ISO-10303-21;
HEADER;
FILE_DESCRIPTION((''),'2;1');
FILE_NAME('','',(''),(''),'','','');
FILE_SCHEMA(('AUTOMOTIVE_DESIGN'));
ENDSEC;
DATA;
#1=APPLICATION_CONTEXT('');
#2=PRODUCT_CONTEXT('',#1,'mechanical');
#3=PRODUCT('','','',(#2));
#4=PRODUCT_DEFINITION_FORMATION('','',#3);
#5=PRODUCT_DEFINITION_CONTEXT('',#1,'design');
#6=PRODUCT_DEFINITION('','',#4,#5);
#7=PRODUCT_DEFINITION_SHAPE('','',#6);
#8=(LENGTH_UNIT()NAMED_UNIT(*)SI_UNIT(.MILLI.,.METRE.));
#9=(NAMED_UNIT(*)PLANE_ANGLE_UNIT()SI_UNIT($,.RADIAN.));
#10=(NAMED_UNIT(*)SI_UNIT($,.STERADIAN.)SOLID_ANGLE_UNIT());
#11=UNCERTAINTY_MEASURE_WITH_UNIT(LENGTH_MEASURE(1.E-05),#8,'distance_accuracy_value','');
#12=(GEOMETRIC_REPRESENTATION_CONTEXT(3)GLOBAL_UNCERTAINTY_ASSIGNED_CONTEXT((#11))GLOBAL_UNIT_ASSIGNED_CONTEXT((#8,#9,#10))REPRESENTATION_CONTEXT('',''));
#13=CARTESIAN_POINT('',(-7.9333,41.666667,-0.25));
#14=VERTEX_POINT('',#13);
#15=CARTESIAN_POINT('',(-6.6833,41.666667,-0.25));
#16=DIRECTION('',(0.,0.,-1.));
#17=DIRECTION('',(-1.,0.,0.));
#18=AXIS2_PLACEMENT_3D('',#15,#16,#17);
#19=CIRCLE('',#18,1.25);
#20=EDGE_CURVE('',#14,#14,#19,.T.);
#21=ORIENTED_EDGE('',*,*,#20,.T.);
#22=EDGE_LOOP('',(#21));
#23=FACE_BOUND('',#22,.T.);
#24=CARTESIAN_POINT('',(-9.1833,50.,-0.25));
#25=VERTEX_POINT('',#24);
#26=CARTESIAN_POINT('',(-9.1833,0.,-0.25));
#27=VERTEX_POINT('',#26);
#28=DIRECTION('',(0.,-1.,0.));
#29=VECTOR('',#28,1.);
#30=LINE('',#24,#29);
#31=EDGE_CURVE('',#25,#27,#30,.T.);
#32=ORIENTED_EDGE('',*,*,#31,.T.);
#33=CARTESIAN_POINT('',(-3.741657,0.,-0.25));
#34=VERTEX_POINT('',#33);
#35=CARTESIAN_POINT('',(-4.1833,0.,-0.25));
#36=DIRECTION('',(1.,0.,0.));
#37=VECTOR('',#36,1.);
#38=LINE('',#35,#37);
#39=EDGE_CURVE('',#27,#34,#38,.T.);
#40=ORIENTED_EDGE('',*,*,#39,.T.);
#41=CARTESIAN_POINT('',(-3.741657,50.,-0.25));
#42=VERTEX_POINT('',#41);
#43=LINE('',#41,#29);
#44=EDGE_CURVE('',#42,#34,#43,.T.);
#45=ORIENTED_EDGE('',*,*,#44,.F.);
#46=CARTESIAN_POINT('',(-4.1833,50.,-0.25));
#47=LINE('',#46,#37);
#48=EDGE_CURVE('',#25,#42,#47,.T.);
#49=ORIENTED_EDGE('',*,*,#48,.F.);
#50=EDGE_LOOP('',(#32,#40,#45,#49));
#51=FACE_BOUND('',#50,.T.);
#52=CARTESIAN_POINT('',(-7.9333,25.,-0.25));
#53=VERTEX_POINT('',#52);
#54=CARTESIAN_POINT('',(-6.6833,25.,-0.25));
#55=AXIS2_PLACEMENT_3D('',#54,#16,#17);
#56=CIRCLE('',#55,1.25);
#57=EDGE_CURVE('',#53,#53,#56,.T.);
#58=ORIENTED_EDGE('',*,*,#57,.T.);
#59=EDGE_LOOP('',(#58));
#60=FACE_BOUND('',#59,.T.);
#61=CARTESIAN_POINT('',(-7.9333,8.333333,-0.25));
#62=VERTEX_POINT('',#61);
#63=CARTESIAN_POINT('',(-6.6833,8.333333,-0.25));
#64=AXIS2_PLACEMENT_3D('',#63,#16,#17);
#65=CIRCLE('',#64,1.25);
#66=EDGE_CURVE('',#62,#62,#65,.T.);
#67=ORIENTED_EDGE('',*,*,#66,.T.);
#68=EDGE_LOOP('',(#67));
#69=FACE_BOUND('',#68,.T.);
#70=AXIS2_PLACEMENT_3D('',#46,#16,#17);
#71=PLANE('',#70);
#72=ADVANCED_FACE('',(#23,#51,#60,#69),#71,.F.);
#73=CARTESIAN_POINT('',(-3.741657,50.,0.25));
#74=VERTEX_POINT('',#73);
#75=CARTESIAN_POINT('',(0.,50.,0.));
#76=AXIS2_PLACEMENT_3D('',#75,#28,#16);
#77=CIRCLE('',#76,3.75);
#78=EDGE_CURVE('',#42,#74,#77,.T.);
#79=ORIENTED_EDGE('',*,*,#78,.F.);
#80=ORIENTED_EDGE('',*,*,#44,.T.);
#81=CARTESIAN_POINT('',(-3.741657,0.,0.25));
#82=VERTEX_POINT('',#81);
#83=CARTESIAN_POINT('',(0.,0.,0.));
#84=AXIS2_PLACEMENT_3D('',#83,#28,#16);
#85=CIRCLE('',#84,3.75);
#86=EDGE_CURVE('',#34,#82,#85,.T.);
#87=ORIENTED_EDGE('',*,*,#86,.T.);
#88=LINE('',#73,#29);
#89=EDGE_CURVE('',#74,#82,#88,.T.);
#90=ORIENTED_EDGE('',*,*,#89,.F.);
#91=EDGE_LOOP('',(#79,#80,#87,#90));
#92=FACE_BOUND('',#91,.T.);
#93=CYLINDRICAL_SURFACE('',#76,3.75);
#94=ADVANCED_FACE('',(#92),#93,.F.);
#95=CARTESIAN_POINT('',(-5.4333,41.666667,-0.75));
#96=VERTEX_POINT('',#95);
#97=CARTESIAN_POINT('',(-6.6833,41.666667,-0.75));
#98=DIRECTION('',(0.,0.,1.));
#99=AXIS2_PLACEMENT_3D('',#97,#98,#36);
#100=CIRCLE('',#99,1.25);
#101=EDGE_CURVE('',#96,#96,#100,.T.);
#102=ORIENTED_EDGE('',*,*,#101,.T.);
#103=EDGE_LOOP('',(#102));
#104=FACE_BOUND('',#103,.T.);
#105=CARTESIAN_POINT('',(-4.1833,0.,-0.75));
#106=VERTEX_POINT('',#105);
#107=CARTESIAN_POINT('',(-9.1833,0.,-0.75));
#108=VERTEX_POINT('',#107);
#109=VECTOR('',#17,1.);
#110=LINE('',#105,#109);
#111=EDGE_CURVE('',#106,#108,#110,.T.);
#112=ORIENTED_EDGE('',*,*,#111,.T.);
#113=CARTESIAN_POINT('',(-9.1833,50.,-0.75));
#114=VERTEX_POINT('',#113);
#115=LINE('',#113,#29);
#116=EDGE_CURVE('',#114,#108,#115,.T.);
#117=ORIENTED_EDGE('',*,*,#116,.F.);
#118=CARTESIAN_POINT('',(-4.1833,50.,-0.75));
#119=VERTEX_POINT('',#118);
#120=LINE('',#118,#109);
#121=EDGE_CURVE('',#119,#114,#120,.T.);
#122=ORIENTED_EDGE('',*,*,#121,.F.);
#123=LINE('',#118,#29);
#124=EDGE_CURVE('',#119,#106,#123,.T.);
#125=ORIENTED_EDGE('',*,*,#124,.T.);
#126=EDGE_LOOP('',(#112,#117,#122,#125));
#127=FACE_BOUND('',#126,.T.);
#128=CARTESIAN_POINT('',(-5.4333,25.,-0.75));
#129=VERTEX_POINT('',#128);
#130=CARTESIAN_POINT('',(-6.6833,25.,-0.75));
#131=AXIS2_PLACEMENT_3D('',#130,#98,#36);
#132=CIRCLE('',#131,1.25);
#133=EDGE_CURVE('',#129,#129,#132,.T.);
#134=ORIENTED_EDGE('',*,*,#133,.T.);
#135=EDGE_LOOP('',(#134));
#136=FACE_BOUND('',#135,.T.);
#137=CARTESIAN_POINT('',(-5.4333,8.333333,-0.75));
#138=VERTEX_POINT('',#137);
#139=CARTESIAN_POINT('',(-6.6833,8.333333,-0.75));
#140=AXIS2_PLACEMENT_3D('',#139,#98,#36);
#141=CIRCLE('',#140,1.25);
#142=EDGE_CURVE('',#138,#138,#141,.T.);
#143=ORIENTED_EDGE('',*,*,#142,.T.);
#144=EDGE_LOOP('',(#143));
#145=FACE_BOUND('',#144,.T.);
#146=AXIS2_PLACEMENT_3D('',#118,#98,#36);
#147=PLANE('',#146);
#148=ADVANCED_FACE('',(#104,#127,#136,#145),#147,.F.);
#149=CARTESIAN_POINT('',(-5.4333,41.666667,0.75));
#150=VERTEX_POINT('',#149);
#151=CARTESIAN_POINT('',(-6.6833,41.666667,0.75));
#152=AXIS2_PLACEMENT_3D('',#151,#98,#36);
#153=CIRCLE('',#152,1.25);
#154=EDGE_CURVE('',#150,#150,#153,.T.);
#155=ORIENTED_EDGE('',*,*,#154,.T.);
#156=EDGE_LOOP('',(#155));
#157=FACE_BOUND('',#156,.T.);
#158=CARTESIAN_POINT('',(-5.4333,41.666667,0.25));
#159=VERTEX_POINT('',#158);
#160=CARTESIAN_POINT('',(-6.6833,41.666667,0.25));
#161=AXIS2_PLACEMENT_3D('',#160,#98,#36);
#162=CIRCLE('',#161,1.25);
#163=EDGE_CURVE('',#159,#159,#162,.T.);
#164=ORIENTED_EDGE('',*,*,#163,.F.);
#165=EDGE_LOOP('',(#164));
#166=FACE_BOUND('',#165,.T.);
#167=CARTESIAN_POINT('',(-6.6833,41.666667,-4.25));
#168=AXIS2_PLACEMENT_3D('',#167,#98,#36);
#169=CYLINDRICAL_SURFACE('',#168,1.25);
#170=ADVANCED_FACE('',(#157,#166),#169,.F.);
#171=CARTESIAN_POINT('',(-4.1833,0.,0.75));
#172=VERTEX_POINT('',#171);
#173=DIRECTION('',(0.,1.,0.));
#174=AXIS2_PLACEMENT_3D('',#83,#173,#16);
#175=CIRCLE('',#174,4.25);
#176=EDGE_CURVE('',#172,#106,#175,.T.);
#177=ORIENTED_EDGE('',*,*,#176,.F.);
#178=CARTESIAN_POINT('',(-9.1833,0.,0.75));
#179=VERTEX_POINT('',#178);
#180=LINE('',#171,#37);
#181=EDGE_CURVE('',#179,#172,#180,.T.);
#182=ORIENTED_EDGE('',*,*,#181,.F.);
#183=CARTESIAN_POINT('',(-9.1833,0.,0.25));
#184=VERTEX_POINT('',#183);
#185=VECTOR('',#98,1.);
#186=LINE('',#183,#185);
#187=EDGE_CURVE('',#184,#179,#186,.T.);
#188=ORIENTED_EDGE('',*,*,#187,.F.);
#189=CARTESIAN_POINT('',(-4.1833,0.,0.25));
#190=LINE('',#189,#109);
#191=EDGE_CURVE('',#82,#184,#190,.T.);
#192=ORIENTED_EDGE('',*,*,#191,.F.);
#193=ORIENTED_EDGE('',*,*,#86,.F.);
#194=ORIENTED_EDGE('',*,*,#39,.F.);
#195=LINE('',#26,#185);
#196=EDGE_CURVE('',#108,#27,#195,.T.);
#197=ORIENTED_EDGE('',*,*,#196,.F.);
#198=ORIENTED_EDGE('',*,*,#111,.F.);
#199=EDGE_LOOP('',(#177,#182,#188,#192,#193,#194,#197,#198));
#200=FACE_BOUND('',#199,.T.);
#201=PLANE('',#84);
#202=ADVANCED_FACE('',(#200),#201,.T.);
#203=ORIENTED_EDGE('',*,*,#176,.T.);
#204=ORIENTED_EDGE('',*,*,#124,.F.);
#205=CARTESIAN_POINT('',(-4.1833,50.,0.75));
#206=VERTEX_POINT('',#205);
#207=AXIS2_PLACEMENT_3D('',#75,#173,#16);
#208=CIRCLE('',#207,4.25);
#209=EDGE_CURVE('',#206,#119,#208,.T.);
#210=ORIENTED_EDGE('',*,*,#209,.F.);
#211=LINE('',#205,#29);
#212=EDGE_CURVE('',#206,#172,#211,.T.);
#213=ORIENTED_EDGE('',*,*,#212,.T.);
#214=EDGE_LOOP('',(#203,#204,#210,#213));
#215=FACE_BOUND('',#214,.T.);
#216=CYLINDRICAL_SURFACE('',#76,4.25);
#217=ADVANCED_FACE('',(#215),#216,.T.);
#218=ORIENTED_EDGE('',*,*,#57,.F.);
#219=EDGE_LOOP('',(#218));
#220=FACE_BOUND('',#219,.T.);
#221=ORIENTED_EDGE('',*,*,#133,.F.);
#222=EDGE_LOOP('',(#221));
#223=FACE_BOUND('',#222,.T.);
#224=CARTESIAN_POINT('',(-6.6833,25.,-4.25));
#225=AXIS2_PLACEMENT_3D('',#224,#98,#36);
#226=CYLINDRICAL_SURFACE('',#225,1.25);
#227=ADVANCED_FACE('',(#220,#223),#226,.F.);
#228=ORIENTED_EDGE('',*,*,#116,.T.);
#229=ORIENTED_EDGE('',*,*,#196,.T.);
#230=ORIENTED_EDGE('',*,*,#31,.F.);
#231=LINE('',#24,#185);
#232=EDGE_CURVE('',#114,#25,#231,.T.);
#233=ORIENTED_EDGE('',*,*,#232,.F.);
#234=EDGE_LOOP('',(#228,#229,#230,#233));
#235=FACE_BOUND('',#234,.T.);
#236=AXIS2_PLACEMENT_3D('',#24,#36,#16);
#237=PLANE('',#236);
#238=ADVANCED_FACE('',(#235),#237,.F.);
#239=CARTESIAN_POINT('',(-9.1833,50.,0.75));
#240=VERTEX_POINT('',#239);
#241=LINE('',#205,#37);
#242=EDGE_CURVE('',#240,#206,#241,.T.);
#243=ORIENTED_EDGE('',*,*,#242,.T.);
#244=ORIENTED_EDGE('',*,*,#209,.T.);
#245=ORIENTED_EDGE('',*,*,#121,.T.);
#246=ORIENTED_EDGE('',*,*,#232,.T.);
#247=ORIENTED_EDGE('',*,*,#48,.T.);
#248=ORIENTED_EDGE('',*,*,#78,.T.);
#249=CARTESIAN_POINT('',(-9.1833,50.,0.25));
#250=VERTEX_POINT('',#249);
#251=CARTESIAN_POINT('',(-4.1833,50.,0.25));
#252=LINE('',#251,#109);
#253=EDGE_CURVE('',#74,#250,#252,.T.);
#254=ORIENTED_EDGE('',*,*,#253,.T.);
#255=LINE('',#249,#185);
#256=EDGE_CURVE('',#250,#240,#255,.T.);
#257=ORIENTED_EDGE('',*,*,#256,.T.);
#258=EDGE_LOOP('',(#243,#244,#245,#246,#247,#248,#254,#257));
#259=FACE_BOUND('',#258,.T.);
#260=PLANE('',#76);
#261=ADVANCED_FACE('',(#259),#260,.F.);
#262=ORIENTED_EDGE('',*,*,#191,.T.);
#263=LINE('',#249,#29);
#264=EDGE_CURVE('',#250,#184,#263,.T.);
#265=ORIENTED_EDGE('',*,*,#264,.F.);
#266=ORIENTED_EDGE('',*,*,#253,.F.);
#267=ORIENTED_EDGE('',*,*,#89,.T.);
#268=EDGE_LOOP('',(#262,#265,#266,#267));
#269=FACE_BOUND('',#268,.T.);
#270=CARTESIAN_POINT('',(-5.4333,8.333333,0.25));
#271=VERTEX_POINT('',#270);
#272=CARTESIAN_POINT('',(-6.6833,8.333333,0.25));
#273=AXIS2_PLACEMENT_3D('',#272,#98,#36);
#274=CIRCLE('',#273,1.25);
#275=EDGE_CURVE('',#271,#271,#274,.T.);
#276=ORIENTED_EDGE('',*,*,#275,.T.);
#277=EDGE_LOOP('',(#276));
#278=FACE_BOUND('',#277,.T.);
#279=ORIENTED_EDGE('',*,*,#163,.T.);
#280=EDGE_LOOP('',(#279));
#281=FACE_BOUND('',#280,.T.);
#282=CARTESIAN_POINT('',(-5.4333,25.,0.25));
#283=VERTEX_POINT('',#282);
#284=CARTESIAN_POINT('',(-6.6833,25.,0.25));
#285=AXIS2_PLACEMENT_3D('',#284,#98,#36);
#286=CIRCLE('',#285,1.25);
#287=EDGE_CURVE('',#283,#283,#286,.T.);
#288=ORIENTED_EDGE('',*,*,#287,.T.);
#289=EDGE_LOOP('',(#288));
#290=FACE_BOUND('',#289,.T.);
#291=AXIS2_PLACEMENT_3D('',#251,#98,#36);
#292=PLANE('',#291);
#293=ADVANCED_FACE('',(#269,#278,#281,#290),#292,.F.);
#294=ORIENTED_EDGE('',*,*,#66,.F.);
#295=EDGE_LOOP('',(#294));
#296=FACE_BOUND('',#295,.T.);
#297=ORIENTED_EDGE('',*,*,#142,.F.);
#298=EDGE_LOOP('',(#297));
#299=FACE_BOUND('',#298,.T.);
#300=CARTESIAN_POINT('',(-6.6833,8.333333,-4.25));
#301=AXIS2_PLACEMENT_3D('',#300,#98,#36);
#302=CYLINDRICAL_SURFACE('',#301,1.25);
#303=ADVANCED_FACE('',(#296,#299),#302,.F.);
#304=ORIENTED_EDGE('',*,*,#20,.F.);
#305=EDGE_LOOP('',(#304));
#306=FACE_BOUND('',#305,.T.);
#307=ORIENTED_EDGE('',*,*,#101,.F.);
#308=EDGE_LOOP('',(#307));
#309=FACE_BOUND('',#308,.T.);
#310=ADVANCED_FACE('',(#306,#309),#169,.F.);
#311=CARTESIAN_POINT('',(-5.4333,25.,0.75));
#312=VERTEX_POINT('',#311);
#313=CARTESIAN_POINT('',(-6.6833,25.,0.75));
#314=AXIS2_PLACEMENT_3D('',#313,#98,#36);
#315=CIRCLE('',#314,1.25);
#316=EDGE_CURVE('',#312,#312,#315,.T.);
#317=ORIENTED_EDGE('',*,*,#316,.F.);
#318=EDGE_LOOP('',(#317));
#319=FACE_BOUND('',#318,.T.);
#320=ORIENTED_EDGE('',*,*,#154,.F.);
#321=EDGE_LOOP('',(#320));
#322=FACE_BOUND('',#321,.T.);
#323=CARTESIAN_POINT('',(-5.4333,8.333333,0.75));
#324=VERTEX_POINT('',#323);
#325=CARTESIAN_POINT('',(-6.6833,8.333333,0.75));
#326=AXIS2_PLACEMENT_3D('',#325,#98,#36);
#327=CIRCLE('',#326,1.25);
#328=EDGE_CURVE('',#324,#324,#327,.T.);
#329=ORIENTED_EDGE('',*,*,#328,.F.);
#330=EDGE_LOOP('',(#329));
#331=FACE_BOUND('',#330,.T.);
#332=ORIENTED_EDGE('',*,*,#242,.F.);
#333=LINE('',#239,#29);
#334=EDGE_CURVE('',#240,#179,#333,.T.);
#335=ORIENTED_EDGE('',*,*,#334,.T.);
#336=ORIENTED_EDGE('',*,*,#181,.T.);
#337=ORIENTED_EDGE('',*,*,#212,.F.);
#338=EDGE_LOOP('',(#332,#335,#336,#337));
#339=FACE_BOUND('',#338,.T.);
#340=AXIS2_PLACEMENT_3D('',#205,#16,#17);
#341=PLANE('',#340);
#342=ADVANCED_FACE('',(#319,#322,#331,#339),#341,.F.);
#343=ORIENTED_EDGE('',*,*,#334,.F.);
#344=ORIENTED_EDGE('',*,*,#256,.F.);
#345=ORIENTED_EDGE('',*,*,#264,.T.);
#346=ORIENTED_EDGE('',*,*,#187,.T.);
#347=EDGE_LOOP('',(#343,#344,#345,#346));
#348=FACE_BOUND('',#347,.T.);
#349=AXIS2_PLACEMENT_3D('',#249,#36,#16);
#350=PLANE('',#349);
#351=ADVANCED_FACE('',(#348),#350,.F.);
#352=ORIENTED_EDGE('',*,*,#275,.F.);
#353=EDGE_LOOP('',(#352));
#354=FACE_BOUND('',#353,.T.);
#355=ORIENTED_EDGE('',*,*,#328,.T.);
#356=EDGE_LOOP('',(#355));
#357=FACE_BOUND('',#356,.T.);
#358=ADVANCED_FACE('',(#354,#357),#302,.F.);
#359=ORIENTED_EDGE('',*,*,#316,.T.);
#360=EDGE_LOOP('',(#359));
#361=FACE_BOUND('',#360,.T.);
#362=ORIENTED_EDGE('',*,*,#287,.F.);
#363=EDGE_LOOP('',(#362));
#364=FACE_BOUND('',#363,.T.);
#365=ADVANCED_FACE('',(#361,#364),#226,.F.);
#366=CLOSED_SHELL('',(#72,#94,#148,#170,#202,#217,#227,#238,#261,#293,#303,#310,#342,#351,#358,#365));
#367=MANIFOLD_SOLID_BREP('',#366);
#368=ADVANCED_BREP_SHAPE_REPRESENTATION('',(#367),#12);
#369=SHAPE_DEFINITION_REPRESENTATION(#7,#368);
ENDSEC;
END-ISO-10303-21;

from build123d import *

# Parameters (mm, degrees)
AUFSATZ_LINEAR_AUSTRAGEN1_DEPTH = 50
SKIZZE2_R                       = 1.25
SCHNITT_LINEAR_AUSTRAGEN1_DEPTH = 52.081630762


with BuildPart() as part:
    # Skizze1 → Aufsatz-Linear austragen1 (new body)
    with BuildSketch(Plane(origin=(0, 0, 0), x_dir=(1, 0, 0), z_dir=(0, 1, 0))):
        with BuildLine():
            Line((-4.183300133, 0.25), (-3.741657387, 0.25))
            ThreePointArc((-3.741657387, 0.25), (3.75, 0), (-3.741657387, -0.25))
            Line((-3.741657387, -0.25), (-4.183300133, -0.25))
            Line((-4.183300133, -0.25), (-9.183300133, -0.25))
            Line((-9.183300133, -0.25), (-9.183300133, -0.75))
            Line((-9.183300133, -0.75), (-4.183300133, -0.75))
            ThreePointArc((-4.183300133, -0.75), (4.25, 0), (-4.183300133, 0.75))
            Line((-4.183300133, 0.75), (-9.183300133, 0.75))
            Line((-9.183300133, 0.75), (-9.183300133, 0.25))
            Line((-9.183300133, 0.25), (-4.183300133, 0.25))
        make_face()
    extrude(amount=AUFSATZ_LINEAR_AUSTRAGEN1_DEPTH)

    # Skizze2 → Schnitt-Linear austragen1 (cut, through all)
    with BuildSketch(Plane.XY.offset(0.75)):
        with Locations((-6.683300133, 41.666666667)):
            Circle(SKIZZE2_R)
        with Locations((-6.683300133, 25)):
            Circle(SKIZZE2_R)
        with Locations((-6.683300133, 8.333333333)):
            Circle(SKIZZE2_R)
    extrude(amount=-SCHNITT_LINEAR_AUSTRAGEN1_DEPTH, mode=Mode.SUBTRACT)


solid = part.part
